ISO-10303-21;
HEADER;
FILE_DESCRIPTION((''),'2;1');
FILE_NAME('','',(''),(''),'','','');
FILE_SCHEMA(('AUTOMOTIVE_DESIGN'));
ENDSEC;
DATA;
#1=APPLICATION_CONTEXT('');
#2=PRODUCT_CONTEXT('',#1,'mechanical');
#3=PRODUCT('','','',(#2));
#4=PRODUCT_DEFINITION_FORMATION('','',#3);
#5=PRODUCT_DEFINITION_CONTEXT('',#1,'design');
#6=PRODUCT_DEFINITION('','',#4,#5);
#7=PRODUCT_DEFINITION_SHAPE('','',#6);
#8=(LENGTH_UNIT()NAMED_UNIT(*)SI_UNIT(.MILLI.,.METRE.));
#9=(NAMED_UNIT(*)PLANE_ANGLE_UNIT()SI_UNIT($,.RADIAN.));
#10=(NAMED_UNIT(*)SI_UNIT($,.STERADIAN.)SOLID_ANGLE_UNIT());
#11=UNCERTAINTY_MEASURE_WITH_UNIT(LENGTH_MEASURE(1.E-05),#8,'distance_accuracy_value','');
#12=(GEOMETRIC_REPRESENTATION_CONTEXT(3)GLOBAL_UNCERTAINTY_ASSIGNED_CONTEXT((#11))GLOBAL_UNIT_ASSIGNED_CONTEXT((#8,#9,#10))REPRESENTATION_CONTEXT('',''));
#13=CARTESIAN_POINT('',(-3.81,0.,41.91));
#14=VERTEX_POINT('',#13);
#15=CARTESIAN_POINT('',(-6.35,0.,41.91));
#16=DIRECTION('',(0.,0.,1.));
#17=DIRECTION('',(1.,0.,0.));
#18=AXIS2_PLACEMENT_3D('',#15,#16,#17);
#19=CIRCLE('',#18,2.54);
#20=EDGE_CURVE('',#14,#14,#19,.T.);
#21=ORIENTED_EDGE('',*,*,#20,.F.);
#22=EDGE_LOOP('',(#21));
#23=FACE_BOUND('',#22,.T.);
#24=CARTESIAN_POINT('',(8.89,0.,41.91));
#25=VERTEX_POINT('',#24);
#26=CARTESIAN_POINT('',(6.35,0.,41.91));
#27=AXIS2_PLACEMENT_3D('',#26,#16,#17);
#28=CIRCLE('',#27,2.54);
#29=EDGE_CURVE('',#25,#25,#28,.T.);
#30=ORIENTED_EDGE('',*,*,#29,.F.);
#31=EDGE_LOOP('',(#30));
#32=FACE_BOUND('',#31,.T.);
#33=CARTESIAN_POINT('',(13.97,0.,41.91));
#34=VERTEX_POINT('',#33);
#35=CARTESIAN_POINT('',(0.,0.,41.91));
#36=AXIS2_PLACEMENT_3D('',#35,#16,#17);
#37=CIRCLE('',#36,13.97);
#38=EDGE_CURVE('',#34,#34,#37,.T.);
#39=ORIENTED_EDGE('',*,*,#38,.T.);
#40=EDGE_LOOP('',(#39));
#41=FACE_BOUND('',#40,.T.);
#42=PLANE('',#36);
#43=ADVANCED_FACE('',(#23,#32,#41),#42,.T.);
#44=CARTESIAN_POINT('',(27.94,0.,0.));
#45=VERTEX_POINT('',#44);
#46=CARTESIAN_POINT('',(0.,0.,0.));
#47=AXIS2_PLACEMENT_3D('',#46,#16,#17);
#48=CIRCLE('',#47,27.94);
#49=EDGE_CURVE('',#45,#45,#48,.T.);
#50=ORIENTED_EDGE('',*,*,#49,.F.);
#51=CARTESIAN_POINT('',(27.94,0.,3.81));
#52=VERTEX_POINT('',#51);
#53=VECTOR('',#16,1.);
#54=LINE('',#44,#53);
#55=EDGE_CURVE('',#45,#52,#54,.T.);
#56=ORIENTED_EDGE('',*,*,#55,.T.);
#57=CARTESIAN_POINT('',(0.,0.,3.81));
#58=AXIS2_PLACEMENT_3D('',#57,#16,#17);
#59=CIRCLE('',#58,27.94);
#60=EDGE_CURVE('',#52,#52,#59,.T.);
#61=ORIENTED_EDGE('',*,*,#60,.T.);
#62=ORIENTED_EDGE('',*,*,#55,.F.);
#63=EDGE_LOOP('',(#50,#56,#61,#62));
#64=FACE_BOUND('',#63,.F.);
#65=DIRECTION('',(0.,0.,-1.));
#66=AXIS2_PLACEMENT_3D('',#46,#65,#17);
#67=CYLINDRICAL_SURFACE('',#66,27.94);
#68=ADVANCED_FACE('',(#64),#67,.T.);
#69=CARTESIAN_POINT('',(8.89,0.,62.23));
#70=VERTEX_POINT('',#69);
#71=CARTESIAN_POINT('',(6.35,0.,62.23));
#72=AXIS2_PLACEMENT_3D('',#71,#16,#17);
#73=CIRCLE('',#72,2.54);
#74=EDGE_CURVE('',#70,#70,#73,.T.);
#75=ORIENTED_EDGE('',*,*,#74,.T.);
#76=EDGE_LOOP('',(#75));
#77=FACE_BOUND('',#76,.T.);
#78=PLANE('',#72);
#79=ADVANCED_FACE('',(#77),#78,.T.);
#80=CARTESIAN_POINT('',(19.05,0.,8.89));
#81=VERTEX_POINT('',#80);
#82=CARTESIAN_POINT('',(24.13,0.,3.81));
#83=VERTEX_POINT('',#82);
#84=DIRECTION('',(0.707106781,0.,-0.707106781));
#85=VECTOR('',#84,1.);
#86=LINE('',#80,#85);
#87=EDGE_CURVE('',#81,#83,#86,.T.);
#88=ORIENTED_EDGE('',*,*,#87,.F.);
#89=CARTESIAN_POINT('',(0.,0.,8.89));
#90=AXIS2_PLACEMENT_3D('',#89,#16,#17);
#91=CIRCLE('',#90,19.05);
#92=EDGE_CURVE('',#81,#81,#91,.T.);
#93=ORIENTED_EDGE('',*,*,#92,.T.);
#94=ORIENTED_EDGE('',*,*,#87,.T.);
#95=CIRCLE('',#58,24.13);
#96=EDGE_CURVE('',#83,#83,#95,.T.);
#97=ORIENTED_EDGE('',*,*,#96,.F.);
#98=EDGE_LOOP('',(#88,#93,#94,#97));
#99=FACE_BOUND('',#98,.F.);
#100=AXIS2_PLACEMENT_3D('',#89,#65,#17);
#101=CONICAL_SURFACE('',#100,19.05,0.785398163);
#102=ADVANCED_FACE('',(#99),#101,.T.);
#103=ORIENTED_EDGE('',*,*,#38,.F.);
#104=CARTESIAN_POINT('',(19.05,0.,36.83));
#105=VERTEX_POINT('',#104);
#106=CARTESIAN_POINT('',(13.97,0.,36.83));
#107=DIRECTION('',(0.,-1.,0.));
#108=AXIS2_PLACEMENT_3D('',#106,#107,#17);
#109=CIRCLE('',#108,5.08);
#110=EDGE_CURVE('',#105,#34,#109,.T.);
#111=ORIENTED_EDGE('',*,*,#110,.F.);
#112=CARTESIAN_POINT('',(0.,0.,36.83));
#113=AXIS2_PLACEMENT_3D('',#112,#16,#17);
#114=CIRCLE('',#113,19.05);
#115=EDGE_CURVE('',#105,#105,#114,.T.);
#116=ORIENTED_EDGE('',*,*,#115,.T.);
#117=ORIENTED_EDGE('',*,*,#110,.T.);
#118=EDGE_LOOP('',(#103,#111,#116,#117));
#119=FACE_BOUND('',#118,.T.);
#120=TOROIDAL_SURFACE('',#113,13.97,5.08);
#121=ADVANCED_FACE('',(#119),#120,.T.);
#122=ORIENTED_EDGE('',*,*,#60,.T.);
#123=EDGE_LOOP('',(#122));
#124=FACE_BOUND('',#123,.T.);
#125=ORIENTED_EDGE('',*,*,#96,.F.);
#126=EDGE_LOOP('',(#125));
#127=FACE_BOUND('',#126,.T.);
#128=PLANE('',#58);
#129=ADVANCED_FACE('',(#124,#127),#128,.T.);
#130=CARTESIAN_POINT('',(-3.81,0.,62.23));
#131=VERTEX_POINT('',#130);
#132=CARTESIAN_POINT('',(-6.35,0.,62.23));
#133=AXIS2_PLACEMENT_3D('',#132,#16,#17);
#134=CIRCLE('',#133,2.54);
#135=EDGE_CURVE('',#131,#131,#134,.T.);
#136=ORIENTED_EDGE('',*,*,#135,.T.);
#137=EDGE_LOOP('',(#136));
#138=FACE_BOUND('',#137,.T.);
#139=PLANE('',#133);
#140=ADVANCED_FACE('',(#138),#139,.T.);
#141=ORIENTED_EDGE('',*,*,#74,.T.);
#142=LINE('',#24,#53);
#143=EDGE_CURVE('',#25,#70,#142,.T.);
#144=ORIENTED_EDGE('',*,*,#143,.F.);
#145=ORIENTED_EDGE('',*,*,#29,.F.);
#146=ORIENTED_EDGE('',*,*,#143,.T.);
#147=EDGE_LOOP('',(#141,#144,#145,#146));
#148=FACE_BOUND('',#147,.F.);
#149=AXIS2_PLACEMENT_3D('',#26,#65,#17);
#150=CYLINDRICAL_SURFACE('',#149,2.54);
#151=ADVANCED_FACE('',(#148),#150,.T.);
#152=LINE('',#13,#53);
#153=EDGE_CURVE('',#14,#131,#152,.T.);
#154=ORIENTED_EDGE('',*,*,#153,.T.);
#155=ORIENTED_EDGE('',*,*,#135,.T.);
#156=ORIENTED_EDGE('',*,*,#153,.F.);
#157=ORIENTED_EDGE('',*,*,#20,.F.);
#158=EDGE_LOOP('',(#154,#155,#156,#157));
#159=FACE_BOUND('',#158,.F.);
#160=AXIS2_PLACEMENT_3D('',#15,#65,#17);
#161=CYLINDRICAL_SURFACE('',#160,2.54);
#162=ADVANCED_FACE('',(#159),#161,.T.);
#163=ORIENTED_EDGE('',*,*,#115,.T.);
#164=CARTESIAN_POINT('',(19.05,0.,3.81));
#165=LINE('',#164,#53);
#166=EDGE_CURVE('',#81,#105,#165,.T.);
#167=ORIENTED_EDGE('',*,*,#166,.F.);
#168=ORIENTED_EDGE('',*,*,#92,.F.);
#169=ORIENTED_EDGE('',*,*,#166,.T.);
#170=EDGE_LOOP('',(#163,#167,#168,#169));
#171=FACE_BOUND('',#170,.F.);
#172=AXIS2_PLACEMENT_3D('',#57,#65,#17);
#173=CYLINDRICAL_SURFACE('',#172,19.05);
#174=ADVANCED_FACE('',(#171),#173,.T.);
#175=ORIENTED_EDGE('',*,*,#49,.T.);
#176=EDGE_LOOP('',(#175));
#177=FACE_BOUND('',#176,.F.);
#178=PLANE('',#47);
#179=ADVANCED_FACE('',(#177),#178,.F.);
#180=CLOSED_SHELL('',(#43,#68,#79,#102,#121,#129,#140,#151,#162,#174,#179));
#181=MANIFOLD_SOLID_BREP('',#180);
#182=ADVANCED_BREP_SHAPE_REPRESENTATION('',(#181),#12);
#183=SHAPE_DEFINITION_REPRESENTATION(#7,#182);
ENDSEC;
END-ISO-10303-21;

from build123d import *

# Parameters (mm, degrees)
F0_R     = 27.94
F1_DEPTH = 3.81
F2_R     = 19.05
F3_DEPTH = 38.1
F4_R     = 5.08
F5_SIZE  = 5.08
F6_R     = 2.54
F7_DEPTH = 20.32


with BuildPart() as f1:
    # F0 (on Top) → F1 (new body)
    with BuildSketch(Plane.XY):
        Circle(F0_R)
    extrude(amount=F1_DEPTH)

    # F2 (on face) → F3 (join)
    with BuildSketch(Plane.XY.offset(3.81)):
        Circle(F2_R)
    extrude(amount=F3_DEPTH)

    # F4
    f4_edges = [f1.edges().sort_by_distance(p)[0] for p in [
        (-19.05, 0, 41.91),
    ]]
    fillet(f4_edges, radius=F4_R)

    # F5
    f5_edges = [f1.edges().sort_by_distance(p)[0] for p in [
        (19.05, 0, 20.32),
        (-19.05, 0, 36.83),
        (-19.05, 0, 3.81),
    ]]
    chamfer(f5_edges, length=F5_SIZE)

    # F6 (on face) → F7 (join)
    with BuildSketch(Plane.XY.offset(41.91)):
        with Locations((-6.35, 0)):
            Circle(F6_R)
        with Locations((6.35, 0)):
            Circle(F6_R)
    extrude(amount=F7_DEPTH)


solid = f1.part
